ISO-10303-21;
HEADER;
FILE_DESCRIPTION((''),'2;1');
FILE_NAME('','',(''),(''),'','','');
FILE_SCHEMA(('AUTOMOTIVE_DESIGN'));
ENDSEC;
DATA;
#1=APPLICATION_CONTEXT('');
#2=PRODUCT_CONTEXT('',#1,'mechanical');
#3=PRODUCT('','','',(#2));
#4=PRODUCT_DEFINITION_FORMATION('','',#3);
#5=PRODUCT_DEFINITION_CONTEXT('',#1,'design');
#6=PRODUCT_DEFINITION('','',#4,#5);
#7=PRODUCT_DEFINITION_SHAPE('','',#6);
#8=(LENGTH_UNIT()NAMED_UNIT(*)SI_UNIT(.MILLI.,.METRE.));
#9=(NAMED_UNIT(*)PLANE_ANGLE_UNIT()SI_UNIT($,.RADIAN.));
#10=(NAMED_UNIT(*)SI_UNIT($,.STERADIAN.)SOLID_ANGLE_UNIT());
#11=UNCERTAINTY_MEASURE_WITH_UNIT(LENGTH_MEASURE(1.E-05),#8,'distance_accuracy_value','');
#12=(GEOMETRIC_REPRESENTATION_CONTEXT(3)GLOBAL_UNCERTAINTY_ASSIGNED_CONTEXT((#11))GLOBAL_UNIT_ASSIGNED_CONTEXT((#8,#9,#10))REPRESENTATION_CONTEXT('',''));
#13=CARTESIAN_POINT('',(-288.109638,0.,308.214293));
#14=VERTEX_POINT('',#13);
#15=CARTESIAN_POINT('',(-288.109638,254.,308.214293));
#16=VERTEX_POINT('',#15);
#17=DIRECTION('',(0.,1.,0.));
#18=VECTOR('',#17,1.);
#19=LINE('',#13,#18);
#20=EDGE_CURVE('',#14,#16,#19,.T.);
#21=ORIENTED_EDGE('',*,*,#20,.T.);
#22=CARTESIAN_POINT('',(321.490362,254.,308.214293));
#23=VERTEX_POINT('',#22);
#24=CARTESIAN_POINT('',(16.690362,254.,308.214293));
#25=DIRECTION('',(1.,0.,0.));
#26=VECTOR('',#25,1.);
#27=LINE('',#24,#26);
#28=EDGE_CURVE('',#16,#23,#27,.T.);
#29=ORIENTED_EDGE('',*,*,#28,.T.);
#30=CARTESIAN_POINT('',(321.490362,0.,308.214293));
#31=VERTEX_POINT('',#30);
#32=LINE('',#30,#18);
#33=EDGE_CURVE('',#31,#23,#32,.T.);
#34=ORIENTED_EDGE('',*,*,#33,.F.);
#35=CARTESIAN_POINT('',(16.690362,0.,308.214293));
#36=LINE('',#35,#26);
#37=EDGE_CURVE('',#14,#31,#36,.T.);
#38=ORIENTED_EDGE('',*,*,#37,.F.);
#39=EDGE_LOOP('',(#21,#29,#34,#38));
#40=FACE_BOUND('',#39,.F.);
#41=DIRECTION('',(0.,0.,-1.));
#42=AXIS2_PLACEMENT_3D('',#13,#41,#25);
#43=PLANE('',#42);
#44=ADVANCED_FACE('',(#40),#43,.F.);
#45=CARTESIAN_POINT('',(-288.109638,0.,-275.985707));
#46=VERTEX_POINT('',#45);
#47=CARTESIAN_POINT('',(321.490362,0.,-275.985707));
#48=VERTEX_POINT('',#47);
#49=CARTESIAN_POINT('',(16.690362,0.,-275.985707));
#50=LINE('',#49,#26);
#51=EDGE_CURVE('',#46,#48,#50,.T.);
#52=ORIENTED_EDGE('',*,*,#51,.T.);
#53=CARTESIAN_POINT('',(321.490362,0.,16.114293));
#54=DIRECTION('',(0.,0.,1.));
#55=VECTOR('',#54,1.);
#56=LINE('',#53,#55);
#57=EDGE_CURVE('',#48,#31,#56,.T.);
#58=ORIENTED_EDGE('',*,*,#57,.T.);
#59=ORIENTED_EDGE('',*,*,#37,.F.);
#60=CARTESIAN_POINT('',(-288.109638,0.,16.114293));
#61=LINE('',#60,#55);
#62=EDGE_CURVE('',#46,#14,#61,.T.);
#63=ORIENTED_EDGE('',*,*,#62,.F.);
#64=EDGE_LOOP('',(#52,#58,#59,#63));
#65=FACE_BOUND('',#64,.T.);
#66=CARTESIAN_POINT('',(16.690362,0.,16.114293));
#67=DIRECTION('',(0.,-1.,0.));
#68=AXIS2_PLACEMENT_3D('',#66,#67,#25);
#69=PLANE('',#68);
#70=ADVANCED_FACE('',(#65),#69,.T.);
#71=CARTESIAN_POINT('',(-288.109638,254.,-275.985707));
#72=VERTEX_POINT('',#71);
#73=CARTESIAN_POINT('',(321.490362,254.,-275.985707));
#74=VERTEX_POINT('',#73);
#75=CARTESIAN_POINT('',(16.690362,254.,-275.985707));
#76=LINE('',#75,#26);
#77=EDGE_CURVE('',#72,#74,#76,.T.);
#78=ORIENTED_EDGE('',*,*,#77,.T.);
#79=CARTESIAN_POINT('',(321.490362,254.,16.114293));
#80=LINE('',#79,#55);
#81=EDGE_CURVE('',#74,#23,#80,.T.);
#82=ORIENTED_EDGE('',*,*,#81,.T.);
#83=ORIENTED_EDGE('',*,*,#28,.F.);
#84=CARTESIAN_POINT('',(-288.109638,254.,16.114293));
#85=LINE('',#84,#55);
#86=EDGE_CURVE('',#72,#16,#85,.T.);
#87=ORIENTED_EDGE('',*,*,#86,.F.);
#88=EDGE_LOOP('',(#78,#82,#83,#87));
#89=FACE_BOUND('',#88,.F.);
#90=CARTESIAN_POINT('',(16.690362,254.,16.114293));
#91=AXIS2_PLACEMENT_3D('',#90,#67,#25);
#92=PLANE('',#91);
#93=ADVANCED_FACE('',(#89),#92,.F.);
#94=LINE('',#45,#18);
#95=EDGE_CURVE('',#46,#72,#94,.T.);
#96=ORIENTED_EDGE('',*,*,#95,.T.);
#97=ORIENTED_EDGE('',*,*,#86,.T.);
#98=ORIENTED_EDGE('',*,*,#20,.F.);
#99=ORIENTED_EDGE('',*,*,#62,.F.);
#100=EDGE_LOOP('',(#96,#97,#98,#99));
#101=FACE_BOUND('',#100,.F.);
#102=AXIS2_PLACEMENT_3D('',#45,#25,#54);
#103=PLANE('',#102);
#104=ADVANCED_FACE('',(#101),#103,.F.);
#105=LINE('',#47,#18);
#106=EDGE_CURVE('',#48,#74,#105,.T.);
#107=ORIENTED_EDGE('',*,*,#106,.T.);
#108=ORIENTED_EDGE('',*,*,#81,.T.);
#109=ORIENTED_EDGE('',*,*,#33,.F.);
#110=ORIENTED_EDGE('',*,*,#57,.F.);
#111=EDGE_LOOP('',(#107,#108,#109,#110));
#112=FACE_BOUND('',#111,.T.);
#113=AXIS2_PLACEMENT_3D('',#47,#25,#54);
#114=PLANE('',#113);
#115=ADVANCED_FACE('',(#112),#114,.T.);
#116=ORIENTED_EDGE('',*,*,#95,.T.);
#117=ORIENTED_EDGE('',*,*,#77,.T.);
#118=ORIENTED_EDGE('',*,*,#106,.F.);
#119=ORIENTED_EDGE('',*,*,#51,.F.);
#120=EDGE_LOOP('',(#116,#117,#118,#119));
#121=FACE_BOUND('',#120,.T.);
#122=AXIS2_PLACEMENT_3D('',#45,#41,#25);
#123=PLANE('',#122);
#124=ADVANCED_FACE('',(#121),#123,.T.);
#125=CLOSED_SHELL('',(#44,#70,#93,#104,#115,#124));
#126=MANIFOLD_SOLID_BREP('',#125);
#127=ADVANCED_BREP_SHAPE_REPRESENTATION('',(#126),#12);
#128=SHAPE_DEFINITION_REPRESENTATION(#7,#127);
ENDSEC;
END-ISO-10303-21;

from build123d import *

# Parameters (mm, degrees)
F0_W     = 609.6
F0_H     = 584.2
F0_W_2   = 482.750386
F0_H_2   = 473.601863
F1_DEPTH = 254


with BuildPart() as f1:
    # F0 (on Front) → F1 (new body)
    with BuildSketch(Plane.XZ):
        with Locations((16.690362, 16.114293)):
            Rectangle(F0_W, F0_H)
        with Locations((21.330595, 8.099318)):
            Rectangle(F0_W_2, F0_H_2, mode=Mode.SUBTRACT)
        with Locations((21.330595, 8.099318)):
            Rectangle(F0_W_2, F0_H_2)
    extrude(amount=-F1_DEPTH)


solid = f1.part
